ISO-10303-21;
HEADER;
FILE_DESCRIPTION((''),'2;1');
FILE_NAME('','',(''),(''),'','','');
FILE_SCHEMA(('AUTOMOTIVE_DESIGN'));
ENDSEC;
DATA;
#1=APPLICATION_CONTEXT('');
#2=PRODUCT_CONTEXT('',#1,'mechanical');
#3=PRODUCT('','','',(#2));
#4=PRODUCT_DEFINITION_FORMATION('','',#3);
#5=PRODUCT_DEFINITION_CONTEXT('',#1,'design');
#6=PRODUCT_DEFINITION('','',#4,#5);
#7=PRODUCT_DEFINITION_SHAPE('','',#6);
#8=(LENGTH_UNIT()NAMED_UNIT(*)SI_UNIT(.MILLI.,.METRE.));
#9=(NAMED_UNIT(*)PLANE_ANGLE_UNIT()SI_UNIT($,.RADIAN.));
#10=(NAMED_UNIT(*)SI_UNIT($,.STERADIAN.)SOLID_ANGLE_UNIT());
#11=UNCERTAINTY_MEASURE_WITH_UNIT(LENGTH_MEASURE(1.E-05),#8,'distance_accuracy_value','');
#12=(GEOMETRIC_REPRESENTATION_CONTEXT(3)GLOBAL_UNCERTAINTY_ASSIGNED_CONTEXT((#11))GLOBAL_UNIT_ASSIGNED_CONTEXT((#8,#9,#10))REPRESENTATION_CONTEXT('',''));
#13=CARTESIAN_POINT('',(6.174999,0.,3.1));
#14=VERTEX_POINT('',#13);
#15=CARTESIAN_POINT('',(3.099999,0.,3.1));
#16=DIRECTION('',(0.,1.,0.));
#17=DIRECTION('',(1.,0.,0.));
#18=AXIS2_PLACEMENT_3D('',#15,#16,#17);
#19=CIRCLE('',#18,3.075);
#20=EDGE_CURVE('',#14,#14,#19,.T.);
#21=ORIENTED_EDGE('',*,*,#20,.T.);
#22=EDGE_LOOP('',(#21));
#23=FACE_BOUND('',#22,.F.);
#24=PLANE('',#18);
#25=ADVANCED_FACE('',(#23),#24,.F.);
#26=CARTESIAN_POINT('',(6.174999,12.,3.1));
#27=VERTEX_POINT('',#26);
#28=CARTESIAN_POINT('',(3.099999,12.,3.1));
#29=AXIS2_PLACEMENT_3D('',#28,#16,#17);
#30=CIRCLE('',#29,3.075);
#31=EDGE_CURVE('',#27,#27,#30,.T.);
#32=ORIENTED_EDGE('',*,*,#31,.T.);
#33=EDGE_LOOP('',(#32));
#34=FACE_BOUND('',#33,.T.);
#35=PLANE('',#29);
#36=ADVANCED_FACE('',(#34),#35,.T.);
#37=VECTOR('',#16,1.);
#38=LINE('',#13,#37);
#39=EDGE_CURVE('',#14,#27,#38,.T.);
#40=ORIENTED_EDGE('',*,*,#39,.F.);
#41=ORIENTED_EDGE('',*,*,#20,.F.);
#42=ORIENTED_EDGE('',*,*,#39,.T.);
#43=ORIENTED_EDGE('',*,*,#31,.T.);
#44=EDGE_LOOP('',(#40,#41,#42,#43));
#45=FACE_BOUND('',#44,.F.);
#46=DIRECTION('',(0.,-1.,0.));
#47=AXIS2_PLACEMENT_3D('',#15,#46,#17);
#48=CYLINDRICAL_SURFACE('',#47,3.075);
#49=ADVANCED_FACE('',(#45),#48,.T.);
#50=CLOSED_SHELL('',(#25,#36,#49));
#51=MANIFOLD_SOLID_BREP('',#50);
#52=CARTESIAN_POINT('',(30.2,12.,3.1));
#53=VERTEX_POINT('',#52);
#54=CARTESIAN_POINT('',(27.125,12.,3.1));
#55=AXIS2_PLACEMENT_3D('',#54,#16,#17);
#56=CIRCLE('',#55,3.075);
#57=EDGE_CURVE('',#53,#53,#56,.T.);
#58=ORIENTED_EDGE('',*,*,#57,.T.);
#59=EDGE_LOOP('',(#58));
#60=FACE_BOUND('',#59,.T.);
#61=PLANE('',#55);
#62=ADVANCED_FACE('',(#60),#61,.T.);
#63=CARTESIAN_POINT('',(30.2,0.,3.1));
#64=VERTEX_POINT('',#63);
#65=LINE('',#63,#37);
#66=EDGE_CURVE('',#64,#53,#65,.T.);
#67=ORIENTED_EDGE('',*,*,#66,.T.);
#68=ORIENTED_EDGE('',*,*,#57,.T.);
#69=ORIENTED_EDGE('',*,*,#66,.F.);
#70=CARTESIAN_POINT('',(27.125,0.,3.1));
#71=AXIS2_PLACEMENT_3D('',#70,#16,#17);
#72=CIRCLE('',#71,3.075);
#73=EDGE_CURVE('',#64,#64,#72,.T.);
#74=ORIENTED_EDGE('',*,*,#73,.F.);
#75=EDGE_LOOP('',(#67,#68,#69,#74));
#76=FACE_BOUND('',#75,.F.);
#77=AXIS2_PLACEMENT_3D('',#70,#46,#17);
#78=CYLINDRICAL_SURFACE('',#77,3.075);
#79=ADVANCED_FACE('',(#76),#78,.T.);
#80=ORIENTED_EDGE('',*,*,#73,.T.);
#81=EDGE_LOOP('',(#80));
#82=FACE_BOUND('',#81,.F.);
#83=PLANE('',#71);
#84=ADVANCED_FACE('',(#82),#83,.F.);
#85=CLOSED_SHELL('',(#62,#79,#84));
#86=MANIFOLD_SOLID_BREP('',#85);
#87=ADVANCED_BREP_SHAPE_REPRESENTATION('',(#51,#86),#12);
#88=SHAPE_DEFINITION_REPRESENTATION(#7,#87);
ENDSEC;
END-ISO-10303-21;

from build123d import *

# Parameters (mm, degrees)
SKETCH1_R             = 3.075
BOSS_EXTRUDE1_DEPTH   = 12
BOSS_EXTRUDE1_2_DEPTH = 12


with BuildPart() as part:
    # Sketch1 → Boss-Extrude1 (new body)
    with BuildSketch(Plane(origin=(0, 0, 0), x_dir=(1, 0, 0), z_dir=(0, 1, 0))):
        with Locations((3.099999428, -3.099999905)):
            Circle(SKETCH1_R)
    extrude(amount=BOSS_EXTRUDE1_DEPTH)


with BuildPart() as body_2:
    # Sketch1 → Boss-Extrude1 2 (new body)
    with BuildSketch(Plane(origin=(0, 0, 0), x_dir=(1, 0, 0), z_dir=(0, 1, 0))):
        with Locations((27.125, -3.099999905)):
            Circle(SKETCH1_R)
    extrude(amount=BOSS_EXTRUDE1_2_DEPTH)


solid = Compound([part.part, body_2.part])
